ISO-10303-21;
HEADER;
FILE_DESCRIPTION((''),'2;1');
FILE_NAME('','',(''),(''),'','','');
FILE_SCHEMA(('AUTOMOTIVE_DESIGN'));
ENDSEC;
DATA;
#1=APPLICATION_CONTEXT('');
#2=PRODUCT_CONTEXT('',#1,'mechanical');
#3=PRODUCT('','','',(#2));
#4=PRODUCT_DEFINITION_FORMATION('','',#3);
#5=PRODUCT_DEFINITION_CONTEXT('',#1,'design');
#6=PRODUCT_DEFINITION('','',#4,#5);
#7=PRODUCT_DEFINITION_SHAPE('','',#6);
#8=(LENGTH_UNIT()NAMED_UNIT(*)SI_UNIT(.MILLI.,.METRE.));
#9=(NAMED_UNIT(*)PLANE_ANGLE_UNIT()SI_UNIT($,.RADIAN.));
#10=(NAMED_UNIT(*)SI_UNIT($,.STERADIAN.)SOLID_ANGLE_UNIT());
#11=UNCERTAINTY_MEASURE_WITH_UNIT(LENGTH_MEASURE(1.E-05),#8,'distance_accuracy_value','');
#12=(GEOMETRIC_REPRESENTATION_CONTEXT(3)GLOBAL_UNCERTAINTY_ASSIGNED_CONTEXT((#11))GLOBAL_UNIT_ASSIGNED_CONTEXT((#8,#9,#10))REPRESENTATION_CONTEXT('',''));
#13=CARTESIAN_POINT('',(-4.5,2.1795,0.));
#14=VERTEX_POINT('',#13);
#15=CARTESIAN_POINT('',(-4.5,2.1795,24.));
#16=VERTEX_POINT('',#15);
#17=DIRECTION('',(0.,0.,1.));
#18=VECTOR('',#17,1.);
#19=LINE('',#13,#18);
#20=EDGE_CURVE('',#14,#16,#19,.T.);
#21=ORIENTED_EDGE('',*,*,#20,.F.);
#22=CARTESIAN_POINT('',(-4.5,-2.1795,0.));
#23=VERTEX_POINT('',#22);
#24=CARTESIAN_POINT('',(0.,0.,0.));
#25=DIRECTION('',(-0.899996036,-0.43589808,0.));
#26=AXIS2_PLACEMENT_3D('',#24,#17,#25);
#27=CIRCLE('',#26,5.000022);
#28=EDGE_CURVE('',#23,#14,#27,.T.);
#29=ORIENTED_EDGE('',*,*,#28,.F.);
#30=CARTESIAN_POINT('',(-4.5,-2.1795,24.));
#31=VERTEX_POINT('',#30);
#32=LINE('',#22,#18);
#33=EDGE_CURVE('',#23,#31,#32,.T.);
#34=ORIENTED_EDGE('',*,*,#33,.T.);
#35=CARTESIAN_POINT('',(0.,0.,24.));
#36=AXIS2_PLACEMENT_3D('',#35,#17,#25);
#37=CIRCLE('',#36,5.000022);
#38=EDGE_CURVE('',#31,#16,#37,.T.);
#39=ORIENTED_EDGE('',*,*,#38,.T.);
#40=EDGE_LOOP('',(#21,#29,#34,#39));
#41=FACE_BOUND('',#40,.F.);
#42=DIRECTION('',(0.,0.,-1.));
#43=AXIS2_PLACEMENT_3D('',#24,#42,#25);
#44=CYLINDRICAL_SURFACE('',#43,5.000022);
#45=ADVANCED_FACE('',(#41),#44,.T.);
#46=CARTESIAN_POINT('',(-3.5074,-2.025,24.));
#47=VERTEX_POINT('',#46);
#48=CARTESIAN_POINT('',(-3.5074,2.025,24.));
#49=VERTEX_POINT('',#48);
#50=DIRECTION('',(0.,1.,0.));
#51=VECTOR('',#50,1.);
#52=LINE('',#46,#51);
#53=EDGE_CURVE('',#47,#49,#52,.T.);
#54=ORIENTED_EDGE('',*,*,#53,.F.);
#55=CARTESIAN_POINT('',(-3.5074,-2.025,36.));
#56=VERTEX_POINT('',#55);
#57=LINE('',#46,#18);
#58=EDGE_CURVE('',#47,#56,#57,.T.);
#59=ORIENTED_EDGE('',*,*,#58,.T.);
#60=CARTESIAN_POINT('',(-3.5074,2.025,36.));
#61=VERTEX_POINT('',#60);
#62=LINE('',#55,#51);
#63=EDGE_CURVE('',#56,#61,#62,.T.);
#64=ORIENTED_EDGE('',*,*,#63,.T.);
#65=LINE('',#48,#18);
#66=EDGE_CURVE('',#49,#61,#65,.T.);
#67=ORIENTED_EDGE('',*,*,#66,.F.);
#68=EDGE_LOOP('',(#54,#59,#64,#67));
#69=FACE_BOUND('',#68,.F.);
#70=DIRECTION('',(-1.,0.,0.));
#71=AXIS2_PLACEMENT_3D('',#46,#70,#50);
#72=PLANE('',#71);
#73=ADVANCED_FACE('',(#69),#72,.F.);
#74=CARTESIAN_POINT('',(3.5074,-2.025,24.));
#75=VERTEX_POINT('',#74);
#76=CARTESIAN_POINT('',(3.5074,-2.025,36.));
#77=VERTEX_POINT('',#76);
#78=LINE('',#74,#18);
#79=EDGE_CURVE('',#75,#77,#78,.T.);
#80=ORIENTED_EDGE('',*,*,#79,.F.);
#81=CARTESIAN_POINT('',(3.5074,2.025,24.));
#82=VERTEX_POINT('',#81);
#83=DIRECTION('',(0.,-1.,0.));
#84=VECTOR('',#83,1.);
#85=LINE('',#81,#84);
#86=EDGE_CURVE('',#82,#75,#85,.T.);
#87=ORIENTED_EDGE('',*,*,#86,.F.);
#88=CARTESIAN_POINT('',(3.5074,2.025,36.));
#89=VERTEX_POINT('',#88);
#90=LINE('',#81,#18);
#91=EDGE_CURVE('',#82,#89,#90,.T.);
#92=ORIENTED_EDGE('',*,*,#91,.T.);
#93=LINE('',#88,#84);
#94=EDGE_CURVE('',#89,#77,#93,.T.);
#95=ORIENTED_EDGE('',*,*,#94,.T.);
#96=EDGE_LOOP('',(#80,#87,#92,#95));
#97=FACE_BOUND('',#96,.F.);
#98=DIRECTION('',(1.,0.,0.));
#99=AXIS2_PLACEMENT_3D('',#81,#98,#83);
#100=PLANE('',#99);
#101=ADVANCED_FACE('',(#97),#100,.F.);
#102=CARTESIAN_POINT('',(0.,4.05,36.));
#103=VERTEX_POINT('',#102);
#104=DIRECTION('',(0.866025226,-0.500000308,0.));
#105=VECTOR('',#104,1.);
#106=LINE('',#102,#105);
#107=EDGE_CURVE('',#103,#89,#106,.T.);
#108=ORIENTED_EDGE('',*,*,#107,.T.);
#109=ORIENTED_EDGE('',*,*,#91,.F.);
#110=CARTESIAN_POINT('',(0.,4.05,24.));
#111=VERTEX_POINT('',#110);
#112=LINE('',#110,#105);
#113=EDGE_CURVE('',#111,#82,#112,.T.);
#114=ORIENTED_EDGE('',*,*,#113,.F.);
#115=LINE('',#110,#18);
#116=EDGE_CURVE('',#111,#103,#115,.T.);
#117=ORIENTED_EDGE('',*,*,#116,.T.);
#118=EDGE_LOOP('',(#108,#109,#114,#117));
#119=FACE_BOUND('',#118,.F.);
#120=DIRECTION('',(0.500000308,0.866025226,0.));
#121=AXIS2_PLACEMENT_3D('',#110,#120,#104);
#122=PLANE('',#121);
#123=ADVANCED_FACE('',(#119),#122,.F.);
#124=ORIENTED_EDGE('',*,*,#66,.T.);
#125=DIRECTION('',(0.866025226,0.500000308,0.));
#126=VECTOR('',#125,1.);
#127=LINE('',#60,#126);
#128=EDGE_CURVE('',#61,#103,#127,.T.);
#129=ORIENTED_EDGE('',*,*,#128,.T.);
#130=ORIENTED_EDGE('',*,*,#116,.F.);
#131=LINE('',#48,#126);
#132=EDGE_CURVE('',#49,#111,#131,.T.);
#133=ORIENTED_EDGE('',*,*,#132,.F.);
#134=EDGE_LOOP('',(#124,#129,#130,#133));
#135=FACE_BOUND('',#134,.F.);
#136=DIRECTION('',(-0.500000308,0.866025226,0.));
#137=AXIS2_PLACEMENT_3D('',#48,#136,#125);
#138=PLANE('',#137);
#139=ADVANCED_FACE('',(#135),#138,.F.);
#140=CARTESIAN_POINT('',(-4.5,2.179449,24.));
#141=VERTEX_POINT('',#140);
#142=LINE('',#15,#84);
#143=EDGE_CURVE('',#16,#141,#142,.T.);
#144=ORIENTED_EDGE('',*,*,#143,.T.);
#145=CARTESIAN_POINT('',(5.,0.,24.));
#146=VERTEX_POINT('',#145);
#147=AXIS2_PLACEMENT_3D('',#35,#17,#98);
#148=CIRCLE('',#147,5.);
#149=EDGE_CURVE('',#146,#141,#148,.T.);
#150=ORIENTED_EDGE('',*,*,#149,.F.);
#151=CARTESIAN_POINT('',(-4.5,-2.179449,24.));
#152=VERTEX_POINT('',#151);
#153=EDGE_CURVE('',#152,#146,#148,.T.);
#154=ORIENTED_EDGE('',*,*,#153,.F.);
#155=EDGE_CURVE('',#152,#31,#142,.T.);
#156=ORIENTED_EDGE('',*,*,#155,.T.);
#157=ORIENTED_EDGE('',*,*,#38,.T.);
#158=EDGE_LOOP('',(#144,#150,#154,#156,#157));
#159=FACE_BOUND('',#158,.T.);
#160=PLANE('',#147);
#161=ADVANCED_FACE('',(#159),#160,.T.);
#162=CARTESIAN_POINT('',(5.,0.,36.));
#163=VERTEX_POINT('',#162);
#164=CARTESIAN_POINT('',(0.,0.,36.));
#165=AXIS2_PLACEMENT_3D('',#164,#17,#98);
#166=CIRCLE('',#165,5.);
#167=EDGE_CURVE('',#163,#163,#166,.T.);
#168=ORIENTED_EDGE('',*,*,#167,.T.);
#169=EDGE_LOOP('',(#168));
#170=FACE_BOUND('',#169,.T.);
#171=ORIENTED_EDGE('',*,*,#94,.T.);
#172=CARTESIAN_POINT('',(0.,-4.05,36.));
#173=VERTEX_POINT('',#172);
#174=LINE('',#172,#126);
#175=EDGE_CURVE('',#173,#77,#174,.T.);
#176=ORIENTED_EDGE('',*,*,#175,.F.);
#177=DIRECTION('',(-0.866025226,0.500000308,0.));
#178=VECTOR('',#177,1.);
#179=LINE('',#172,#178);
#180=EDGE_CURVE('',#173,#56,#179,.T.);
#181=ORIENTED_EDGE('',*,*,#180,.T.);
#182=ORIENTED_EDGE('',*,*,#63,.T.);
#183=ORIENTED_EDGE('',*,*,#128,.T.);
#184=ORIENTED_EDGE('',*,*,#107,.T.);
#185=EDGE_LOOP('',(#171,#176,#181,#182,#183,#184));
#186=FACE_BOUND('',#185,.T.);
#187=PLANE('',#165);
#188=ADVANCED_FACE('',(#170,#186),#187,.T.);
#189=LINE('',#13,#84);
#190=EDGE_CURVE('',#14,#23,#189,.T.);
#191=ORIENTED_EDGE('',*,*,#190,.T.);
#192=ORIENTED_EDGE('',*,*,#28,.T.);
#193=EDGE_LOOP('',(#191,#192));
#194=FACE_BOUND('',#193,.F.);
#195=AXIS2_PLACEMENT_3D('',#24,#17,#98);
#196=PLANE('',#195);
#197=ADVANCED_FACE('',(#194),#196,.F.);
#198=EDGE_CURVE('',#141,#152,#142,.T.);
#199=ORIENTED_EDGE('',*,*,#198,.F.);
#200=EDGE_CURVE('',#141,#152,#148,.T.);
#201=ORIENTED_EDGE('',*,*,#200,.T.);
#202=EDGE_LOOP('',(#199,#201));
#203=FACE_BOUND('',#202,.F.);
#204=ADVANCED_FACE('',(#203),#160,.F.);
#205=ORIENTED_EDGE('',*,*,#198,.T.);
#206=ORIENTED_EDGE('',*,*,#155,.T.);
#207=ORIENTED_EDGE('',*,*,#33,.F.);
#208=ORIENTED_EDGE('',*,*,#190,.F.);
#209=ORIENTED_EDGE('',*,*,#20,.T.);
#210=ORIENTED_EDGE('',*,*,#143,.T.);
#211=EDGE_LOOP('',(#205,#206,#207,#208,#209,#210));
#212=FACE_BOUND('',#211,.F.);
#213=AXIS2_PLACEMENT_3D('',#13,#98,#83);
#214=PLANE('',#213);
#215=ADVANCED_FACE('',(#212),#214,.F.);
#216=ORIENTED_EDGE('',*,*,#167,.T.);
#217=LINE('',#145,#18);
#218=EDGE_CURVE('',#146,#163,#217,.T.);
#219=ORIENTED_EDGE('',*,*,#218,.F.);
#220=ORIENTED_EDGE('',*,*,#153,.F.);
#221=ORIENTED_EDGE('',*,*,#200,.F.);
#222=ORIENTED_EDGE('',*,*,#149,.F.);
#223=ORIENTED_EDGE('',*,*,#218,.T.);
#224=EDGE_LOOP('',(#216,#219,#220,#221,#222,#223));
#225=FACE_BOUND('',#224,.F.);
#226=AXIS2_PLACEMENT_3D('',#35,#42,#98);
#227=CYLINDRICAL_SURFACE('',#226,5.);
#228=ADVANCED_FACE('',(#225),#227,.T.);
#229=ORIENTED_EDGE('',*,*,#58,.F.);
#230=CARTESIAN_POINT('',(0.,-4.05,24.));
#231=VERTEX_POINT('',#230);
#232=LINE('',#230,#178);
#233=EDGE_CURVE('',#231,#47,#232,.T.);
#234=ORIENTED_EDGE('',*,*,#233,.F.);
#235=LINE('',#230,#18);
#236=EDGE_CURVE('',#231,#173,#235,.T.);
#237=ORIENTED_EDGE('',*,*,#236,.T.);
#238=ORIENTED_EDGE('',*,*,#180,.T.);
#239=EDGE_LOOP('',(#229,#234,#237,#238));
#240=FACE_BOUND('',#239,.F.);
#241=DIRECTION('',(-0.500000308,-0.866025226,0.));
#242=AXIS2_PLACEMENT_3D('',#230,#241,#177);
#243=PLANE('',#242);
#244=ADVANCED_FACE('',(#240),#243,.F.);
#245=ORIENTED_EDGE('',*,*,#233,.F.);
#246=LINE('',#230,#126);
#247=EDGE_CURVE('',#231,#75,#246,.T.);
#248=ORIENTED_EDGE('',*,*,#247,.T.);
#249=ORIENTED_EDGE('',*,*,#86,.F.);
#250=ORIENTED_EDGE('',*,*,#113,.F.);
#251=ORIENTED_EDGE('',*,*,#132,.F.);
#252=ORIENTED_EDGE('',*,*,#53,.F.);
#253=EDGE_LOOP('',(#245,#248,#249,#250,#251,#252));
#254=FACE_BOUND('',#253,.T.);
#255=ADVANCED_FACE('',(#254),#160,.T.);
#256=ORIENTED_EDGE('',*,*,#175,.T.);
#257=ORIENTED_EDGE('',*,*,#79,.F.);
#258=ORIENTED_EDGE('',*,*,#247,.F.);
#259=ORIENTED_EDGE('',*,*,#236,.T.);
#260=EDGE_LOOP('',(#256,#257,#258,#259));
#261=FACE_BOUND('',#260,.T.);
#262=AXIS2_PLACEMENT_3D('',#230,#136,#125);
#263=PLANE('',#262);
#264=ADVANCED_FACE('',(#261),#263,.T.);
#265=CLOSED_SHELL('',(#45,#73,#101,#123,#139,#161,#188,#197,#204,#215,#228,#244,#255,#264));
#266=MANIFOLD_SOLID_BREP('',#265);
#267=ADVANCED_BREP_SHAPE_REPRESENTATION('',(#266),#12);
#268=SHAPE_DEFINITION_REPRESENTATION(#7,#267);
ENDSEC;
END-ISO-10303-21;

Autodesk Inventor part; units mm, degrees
ref_plane "YZ Plane" through (0, 0, 0) normal (1, 0, 0) x (0, 1, 0)
ref_plane "XZ Plane" through (0, 0, 0) normal (0, 1, 0) x (-1, 0, 0)
ref_plane "XY Plane" through (0, 0, 0) normal (0, 0, 1) x (1, 0, 0)
sketch "Sketch1" plane through (0, 0, 0) normal (0, 0, 1) x (1, 0, 0)
  arc A0 (-4.5, -2.1795) -> (-4.5, 2.1795) centre (0, 0) ccw
  line L0 (-4.5, 2.1795) -> (-4.5, -2.1795)
  arc A1 (-4.5, 2.1795) -> (-4.5, -2.1795) centre (0, 0) ccw construction
  arc A2 (-4.6, -2.2023) -> (-4.6, 2.2023) centre (0, 0) ccw construction
  line L1 (-4.6, -2.2023) -> (-4.6, 2.2023) construction
  circle A3 centre (0, 0) radius 8 construction
  dimension "d0" = 10
  dimension "d1" = 4.359
  dimension "d2" = 0.1
  dimension "d3" = 16
extrude "Extrusion1" add sketch "Sketch1" along normal blind 24
sketch "Sketch3" plane through (0, 0, 24) normal (0, 0, 1) x (1, 0, 0)
  circle A0 centre (0, 0) radius 5
  circle A1 centre (0, 0) radius 4.05 construction
  line L0 (0, 0) -> (0, 4.05) construction
  line L1 (0, 4.05) -> (3.5074, 2.025)
  line L2 (3.5074, 2.025) -> (3.5074, -2.025)
  line L3 (0, -4.05) -> (3.5074, -2.025)
  line L4 (0, -4.05) -> (-3.5074, -2.025)
  line L5 (-3.5074, -2.025) -> (-3.5074, 2.025)
  line L6 (-3.5074, 2.025) -> (0, 4.05)
  point P0 (-4.5, 2.1795)
  dimension "d15" = 8.1
extrude "Extrusion4" add sketch "Sketch3" along normal blind 12
properties part number "TestingWinch"
